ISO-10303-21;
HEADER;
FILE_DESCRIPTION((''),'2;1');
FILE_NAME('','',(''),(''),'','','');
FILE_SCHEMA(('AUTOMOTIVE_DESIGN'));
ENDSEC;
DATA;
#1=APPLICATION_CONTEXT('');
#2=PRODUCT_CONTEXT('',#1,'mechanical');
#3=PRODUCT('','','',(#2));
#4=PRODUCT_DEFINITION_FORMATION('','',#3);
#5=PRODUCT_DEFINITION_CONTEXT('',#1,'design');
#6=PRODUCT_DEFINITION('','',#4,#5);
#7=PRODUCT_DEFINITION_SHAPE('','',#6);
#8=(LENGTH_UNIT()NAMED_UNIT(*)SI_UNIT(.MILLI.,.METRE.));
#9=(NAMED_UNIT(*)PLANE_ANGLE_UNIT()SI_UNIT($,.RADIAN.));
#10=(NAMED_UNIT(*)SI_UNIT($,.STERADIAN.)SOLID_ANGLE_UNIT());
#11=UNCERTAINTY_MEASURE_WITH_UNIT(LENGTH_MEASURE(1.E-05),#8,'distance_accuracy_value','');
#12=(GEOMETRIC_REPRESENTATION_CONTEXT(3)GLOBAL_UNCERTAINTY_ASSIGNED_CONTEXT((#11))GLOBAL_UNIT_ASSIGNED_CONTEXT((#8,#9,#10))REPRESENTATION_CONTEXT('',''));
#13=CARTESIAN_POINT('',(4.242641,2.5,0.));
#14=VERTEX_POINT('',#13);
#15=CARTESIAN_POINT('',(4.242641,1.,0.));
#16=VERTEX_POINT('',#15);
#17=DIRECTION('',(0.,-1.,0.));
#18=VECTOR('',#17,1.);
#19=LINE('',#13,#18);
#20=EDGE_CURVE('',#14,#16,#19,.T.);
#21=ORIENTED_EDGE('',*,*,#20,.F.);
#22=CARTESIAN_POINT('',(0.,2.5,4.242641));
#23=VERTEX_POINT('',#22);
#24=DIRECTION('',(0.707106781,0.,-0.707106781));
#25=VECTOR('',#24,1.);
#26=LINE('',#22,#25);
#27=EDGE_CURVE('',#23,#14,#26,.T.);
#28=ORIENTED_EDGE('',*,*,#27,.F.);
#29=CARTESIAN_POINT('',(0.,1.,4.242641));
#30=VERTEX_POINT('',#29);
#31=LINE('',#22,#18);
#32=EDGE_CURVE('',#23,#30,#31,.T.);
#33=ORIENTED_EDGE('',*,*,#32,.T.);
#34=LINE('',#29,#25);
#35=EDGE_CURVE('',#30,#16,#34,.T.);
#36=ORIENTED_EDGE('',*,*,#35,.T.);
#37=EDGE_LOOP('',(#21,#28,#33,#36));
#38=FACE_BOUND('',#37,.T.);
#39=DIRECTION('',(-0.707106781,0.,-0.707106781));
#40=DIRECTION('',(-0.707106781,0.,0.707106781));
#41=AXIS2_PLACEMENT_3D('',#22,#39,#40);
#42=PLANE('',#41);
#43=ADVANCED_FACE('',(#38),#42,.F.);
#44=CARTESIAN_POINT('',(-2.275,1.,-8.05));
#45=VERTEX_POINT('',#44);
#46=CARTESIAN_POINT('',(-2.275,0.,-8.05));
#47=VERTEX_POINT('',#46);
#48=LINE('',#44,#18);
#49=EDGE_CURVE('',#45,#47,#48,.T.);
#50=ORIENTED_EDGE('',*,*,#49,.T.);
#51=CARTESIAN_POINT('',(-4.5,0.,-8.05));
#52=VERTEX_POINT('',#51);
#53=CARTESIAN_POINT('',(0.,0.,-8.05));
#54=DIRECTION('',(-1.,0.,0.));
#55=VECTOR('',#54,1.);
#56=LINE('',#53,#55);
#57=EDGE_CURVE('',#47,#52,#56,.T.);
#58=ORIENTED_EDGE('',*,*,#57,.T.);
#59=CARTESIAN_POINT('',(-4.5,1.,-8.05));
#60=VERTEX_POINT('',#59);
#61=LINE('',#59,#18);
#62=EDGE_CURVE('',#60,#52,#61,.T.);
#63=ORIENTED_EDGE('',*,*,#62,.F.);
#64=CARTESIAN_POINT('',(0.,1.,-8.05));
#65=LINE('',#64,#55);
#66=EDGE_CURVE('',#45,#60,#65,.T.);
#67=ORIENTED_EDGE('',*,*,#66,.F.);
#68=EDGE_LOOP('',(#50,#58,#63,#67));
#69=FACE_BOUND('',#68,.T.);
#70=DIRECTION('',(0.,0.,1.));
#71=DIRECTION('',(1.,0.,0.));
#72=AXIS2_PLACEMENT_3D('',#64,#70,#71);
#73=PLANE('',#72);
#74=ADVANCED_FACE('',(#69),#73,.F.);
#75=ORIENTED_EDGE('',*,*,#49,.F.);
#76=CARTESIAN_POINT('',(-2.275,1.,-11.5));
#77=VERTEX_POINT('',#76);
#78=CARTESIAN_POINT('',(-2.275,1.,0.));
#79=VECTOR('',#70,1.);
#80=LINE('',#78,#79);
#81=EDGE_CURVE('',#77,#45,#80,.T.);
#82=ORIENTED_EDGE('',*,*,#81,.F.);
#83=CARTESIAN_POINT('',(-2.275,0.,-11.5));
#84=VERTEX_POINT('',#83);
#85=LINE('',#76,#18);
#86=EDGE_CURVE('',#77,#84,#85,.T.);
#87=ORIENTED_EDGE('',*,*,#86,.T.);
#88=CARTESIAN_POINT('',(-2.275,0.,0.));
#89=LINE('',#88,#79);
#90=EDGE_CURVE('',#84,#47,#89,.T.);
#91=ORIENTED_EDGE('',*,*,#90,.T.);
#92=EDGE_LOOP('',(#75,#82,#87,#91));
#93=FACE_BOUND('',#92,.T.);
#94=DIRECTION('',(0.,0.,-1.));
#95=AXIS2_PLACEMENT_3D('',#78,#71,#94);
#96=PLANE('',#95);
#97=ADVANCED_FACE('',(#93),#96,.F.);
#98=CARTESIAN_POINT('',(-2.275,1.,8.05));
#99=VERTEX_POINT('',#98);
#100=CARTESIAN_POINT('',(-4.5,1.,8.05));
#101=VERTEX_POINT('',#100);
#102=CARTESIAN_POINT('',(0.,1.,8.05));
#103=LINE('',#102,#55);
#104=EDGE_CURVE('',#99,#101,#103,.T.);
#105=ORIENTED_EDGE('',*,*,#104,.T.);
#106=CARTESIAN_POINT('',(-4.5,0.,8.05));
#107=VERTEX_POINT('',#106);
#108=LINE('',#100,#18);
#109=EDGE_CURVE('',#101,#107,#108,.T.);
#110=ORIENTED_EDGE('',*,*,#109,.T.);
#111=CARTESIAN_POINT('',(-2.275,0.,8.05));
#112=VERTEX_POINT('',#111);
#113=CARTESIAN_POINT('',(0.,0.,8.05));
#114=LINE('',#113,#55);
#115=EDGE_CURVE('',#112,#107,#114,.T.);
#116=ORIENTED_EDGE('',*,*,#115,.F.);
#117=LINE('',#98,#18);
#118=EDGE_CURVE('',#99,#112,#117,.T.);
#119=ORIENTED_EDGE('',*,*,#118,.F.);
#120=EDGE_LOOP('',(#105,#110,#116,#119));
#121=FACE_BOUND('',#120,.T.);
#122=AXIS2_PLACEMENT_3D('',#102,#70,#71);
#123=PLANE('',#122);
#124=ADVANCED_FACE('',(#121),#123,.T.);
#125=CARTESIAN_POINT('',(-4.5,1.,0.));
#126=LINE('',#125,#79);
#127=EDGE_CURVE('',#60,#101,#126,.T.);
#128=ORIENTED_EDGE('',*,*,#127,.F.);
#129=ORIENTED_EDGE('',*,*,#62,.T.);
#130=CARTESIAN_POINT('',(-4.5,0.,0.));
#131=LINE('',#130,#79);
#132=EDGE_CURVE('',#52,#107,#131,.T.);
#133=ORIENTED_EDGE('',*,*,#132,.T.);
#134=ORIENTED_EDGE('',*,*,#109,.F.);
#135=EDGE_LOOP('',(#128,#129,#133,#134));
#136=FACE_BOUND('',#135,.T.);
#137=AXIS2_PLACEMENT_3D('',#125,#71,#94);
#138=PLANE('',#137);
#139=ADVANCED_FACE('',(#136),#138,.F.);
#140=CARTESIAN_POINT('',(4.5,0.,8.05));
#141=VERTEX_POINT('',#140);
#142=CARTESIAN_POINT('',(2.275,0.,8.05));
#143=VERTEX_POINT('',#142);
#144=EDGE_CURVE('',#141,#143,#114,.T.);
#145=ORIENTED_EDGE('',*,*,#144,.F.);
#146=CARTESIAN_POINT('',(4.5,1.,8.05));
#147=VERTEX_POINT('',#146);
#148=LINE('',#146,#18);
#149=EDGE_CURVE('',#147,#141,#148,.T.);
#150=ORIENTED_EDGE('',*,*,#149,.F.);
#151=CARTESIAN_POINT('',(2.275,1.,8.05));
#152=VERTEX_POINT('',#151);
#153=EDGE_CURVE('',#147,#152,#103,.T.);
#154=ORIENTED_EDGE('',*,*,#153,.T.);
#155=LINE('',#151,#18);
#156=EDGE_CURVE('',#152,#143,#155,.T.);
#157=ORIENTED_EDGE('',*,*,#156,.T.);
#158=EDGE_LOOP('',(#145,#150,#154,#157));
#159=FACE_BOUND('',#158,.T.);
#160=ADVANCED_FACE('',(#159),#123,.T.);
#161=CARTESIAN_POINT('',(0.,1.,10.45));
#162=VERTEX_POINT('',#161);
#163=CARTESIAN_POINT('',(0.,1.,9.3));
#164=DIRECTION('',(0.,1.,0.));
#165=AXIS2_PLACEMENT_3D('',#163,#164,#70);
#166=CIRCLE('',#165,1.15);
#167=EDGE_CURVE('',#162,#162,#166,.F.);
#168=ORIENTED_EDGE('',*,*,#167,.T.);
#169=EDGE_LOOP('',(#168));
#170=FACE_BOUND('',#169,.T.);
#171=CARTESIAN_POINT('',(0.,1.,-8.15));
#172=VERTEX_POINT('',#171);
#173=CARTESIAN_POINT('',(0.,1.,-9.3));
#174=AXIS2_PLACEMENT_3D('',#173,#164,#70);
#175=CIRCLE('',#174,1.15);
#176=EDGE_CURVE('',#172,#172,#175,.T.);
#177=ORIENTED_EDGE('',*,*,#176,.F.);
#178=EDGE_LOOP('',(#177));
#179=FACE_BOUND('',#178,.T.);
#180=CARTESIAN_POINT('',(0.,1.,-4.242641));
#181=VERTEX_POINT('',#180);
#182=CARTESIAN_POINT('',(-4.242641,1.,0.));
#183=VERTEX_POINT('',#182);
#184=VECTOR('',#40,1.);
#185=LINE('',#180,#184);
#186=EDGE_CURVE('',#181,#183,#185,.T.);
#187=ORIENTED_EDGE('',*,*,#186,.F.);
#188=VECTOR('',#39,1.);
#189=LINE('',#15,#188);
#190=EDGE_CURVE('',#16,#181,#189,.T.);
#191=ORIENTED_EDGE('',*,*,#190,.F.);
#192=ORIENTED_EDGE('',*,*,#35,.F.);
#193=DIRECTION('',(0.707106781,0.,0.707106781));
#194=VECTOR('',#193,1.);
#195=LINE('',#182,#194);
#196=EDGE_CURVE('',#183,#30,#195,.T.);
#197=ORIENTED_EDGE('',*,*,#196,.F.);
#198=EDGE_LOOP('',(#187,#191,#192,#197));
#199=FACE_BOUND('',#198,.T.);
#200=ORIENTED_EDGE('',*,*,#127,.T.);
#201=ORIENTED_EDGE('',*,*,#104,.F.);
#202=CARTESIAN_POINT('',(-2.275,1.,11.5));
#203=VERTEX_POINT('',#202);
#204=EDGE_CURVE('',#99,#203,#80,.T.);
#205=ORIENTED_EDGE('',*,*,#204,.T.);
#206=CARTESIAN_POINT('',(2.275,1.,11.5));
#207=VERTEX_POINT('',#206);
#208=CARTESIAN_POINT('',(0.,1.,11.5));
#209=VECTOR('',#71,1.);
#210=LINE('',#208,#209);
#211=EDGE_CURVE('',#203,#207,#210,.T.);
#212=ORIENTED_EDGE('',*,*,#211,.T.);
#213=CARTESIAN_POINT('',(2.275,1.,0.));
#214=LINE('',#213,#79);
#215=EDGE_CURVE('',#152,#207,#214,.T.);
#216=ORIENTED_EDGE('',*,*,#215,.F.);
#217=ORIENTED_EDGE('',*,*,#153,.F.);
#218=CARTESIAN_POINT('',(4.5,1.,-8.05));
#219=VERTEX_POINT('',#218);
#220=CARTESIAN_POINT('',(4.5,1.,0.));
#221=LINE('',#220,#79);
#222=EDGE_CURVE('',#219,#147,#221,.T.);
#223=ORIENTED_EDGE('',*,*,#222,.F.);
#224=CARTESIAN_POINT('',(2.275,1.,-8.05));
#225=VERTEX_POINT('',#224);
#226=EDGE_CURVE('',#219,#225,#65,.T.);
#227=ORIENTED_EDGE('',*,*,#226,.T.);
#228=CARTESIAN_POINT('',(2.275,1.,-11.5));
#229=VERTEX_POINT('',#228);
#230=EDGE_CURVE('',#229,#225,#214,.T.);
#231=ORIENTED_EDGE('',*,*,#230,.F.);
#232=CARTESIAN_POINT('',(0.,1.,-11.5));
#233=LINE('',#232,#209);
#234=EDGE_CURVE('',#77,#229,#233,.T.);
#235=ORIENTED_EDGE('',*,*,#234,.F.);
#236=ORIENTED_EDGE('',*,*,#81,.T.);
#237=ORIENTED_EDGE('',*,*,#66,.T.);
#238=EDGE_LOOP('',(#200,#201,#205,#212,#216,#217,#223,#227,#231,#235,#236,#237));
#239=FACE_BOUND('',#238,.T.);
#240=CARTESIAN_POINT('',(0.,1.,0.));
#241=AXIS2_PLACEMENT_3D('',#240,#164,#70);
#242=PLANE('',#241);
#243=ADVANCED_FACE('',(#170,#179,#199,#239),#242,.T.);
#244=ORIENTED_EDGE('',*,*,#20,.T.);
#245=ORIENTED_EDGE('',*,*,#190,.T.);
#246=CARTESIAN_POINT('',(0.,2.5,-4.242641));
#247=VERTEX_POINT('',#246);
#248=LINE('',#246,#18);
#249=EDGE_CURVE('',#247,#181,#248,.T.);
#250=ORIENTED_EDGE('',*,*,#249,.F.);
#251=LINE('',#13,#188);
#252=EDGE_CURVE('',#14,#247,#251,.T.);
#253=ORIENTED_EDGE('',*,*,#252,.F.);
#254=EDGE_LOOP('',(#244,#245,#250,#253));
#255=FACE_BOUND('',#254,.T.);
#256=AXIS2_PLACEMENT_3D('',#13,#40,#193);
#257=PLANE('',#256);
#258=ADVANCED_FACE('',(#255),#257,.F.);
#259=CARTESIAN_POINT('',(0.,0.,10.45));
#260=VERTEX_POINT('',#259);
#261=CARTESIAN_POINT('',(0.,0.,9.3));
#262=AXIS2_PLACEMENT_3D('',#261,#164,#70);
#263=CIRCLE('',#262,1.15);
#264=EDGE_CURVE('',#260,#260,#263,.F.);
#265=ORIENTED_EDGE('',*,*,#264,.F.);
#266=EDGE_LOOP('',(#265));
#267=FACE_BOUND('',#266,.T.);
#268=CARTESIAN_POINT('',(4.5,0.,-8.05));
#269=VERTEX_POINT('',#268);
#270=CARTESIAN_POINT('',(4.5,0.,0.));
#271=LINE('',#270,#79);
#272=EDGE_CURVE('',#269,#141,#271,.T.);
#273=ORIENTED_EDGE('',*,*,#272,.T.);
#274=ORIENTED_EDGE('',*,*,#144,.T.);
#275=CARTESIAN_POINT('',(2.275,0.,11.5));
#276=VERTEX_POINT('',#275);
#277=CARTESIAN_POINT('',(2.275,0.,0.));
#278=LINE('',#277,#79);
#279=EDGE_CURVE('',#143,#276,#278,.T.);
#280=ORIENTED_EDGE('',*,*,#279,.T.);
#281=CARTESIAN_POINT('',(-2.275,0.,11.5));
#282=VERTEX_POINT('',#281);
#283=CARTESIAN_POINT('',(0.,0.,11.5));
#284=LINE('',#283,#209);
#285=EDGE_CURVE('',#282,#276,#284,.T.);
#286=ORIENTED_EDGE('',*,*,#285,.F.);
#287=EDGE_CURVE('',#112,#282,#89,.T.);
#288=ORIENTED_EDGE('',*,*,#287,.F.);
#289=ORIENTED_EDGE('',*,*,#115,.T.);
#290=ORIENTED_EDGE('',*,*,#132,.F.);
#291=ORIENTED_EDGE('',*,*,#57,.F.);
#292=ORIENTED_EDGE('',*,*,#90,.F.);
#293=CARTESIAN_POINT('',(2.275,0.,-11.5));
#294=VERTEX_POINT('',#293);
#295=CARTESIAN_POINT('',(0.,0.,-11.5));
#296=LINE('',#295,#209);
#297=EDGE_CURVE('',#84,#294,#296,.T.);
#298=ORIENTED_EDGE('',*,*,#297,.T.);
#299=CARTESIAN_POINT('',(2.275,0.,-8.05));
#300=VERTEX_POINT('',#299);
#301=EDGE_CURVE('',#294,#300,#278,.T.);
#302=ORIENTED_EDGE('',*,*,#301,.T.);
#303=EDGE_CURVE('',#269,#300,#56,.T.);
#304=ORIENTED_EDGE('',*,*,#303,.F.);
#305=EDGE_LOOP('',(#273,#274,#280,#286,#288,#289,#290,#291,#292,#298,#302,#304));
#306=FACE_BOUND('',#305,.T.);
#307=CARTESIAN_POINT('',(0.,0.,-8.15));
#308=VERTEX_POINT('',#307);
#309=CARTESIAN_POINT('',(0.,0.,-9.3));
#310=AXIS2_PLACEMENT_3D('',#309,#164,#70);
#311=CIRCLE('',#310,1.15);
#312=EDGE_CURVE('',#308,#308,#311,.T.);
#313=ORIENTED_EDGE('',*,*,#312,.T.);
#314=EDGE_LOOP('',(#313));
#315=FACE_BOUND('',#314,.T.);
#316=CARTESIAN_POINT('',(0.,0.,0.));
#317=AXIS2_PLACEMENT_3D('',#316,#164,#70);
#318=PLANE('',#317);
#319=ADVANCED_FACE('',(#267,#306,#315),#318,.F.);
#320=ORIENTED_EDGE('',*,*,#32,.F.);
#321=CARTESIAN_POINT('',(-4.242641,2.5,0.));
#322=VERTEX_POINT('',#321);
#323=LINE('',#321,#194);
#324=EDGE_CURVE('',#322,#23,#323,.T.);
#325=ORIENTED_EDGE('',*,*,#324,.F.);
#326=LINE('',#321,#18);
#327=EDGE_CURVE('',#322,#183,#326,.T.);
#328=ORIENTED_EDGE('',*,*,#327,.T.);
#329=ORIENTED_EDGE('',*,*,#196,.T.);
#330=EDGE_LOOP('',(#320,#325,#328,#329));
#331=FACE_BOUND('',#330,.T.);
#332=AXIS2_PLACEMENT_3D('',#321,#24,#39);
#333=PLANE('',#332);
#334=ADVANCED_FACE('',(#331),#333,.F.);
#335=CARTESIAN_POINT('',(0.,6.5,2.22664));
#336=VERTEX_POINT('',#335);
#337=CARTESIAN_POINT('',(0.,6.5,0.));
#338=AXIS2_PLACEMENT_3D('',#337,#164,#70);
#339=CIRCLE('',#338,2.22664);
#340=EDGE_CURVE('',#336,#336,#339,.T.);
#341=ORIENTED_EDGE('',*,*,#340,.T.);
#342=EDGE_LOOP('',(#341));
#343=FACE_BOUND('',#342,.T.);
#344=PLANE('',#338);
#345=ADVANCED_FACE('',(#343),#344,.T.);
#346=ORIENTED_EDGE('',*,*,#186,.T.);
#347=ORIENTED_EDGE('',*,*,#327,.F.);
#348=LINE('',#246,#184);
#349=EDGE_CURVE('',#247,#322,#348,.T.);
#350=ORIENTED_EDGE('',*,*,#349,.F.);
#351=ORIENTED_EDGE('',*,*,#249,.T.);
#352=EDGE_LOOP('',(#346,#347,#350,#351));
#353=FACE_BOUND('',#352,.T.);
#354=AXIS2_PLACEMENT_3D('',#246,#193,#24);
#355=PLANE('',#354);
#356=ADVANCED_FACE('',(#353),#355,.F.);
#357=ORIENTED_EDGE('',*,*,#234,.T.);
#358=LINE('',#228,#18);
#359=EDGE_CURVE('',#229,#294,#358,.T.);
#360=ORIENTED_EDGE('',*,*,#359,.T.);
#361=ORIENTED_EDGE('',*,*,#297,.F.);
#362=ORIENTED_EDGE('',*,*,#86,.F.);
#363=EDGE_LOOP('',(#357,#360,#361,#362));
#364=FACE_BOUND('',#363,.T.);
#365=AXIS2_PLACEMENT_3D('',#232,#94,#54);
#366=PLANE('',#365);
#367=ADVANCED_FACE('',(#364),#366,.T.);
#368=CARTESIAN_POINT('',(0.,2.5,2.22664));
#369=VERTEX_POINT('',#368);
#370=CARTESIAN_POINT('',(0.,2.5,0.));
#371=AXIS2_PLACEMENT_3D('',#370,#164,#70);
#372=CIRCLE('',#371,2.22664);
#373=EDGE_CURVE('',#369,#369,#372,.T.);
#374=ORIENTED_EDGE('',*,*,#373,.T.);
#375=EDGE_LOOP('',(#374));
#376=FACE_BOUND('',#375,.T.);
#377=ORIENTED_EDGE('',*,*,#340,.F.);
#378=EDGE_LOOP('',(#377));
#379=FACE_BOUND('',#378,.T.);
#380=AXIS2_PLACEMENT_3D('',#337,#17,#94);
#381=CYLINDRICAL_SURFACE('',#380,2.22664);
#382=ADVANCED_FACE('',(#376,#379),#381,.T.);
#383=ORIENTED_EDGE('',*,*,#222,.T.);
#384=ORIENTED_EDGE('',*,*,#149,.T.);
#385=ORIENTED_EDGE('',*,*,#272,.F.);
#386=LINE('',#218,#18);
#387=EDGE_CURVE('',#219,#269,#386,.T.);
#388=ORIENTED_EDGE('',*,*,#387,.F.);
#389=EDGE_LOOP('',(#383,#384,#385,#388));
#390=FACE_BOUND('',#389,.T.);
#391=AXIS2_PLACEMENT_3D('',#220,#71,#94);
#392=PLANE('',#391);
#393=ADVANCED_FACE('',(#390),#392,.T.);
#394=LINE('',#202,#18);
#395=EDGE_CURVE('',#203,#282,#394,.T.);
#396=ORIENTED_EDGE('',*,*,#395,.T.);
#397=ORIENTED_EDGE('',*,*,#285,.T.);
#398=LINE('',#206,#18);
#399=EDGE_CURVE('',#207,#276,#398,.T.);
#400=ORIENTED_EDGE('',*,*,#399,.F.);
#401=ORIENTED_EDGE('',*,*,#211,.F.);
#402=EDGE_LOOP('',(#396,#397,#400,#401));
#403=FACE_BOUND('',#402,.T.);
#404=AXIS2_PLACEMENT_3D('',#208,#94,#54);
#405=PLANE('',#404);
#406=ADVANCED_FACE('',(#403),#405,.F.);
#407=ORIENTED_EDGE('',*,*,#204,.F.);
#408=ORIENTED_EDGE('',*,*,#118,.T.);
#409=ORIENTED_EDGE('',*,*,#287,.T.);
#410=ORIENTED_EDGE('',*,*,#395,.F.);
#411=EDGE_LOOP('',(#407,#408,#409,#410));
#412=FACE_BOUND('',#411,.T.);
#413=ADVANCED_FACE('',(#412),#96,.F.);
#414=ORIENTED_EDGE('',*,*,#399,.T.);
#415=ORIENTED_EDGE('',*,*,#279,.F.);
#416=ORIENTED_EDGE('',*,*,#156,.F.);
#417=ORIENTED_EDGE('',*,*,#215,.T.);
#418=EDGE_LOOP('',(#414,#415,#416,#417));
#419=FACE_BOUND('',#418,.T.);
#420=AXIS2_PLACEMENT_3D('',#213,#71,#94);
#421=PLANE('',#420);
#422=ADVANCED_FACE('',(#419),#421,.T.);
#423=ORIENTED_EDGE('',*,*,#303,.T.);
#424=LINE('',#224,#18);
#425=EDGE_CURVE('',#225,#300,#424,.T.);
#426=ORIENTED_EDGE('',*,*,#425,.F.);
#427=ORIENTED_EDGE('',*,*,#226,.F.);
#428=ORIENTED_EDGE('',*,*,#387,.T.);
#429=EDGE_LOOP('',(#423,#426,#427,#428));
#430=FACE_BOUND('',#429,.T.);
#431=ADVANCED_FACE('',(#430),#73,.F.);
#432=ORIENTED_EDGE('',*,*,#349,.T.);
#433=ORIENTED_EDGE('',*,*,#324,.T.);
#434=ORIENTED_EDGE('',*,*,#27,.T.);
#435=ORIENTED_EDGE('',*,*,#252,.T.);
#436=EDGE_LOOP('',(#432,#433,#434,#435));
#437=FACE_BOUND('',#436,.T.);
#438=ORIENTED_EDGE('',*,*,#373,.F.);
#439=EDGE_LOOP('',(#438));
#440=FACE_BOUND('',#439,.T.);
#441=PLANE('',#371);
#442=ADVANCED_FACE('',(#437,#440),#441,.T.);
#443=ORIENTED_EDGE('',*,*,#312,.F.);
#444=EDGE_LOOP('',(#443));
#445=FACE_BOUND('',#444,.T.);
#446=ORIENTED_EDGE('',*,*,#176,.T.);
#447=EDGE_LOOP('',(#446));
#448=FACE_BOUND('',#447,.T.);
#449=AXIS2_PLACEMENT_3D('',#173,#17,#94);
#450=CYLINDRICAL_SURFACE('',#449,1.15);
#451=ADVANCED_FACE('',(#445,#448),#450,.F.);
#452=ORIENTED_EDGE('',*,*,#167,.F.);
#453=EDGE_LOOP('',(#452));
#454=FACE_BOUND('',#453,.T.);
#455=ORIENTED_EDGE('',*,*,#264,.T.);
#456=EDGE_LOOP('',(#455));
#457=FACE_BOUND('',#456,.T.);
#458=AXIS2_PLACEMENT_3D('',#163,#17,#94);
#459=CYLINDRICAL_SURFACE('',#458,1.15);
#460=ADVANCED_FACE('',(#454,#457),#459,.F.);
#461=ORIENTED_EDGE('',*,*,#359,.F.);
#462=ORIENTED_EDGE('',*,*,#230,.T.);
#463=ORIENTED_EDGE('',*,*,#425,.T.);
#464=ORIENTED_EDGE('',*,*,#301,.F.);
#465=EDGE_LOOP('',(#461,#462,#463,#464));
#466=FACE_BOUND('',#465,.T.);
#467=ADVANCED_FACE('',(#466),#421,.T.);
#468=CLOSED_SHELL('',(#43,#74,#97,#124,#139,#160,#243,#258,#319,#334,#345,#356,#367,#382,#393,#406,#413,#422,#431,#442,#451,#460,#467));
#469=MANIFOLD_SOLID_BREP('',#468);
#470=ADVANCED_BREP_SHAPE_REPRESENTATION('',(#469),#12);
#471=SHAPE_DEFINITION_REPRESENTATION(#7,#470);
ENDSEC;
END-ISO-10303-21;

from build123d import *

# Parameters (mm, degrees)
SKETCH1_W           = 2.225
SKETCH1_H           = 16.1
SKETCH1_W_2         = 4.55
SKETCH1_H_2         = 3.45
SKETCH1_R           = 1.15
BOSS_EXTRUDE1_DEPTH = 1
BOSS_EXTRUDE2_DEPTH = 1.5
SKETCH3_R           = 2.226640197
BOSS_EXTRUDE3_DEPTH = 4


with BuildPart() as part:
    # Sketch1 → Boss-Extrude1 (new body)
    # profile 1 of 5: a face of its own
    with BuildSketch(Plane(origin=(0, 0, 0), x_dir=(1, 0, 0), z_dir=(0, 1, 0))):
        with Locations((-3.3875, 0)):
            Rectangle(SKETCH1_W, SKETCH1_H)
    # profile 2 of 5: a face of its own
    with BuildSketch(Plane(origin=(0, 0, 0), x_dir=(1, 0, 0), z_dir=(0, 1, 0))):
        with Locations((0, 9.775)):
            Rectangle(SKETCH1_W_2, SKETCH1_H_2)
        with Locations(Location((0, 9.3, 0), (0, 0, 270))):
            Circle(SKETCH1_R, mode=Mode.SUBTRACT)
    # profile 3 of 5: a face of its own
    with BuildSketch(Plane(origin=(0, 0, 0), x_dir=(1, 0, 0), z_dir=(0, 1, 0))):
        Rectangle(SKETCH1_W_2, SKETCH1_H)
    # profile 4 of 5: a face of its own
    with BuildSketch(Plane(origin=(0, 0, 0), x_dir=(1, 0, 0), z_dir=(0, 1, 0))):
        with Locations((3.3875, 0)):
            Rectangle(SKETCH1_W, SKETCH1_H)
    # profile 5 of 5: a face of its own
    with BuildSketch(Plane(origin=(0, 0, 0), x_dir=(1, 0, 0), z_dir=(0, 1, 0))):
        with Locations((0, -9.775)):
            Rectangle(SKETCH1_W_2, SKETCH1_H_2)
        with Locations(Location((0, -9.3, 0), (0, 0, 270))):
            Circle(SKETCH1_R, mode=Mode.SUBTRACT)
    extrude(amount=BOSS_EXTRUDE1_DEPTH)

    # Sketch2 → Boss-Extrude2 (add)
    with BuildSketch(Plane(origin=(0, 1, 0), x_dir=(1, 0, 0), z_dir=(0, 1, 0))):
        Polygon((0, -4.242640687), (4.242640687, 0), (0, 4.242640687), (-4.242640687, 0), align=None)
    extrude(amount=BOSS_EXTRUDE2_DEPTH)

    # Sketch3 → Boss-Extrude3 (add)
    with BuildSketch(Plane(origin=(0, 2.5, 0), x_dir=(1, 0, 0), z_dir=(0, 1, 0))):
        with Locations(Location((0, 0, 0), (0, 0, 270))):
            Circle(SKETCH3_R)
    extrude(amount=BOSS_EXTRUDE3_DEPTH)


solid = part.part
